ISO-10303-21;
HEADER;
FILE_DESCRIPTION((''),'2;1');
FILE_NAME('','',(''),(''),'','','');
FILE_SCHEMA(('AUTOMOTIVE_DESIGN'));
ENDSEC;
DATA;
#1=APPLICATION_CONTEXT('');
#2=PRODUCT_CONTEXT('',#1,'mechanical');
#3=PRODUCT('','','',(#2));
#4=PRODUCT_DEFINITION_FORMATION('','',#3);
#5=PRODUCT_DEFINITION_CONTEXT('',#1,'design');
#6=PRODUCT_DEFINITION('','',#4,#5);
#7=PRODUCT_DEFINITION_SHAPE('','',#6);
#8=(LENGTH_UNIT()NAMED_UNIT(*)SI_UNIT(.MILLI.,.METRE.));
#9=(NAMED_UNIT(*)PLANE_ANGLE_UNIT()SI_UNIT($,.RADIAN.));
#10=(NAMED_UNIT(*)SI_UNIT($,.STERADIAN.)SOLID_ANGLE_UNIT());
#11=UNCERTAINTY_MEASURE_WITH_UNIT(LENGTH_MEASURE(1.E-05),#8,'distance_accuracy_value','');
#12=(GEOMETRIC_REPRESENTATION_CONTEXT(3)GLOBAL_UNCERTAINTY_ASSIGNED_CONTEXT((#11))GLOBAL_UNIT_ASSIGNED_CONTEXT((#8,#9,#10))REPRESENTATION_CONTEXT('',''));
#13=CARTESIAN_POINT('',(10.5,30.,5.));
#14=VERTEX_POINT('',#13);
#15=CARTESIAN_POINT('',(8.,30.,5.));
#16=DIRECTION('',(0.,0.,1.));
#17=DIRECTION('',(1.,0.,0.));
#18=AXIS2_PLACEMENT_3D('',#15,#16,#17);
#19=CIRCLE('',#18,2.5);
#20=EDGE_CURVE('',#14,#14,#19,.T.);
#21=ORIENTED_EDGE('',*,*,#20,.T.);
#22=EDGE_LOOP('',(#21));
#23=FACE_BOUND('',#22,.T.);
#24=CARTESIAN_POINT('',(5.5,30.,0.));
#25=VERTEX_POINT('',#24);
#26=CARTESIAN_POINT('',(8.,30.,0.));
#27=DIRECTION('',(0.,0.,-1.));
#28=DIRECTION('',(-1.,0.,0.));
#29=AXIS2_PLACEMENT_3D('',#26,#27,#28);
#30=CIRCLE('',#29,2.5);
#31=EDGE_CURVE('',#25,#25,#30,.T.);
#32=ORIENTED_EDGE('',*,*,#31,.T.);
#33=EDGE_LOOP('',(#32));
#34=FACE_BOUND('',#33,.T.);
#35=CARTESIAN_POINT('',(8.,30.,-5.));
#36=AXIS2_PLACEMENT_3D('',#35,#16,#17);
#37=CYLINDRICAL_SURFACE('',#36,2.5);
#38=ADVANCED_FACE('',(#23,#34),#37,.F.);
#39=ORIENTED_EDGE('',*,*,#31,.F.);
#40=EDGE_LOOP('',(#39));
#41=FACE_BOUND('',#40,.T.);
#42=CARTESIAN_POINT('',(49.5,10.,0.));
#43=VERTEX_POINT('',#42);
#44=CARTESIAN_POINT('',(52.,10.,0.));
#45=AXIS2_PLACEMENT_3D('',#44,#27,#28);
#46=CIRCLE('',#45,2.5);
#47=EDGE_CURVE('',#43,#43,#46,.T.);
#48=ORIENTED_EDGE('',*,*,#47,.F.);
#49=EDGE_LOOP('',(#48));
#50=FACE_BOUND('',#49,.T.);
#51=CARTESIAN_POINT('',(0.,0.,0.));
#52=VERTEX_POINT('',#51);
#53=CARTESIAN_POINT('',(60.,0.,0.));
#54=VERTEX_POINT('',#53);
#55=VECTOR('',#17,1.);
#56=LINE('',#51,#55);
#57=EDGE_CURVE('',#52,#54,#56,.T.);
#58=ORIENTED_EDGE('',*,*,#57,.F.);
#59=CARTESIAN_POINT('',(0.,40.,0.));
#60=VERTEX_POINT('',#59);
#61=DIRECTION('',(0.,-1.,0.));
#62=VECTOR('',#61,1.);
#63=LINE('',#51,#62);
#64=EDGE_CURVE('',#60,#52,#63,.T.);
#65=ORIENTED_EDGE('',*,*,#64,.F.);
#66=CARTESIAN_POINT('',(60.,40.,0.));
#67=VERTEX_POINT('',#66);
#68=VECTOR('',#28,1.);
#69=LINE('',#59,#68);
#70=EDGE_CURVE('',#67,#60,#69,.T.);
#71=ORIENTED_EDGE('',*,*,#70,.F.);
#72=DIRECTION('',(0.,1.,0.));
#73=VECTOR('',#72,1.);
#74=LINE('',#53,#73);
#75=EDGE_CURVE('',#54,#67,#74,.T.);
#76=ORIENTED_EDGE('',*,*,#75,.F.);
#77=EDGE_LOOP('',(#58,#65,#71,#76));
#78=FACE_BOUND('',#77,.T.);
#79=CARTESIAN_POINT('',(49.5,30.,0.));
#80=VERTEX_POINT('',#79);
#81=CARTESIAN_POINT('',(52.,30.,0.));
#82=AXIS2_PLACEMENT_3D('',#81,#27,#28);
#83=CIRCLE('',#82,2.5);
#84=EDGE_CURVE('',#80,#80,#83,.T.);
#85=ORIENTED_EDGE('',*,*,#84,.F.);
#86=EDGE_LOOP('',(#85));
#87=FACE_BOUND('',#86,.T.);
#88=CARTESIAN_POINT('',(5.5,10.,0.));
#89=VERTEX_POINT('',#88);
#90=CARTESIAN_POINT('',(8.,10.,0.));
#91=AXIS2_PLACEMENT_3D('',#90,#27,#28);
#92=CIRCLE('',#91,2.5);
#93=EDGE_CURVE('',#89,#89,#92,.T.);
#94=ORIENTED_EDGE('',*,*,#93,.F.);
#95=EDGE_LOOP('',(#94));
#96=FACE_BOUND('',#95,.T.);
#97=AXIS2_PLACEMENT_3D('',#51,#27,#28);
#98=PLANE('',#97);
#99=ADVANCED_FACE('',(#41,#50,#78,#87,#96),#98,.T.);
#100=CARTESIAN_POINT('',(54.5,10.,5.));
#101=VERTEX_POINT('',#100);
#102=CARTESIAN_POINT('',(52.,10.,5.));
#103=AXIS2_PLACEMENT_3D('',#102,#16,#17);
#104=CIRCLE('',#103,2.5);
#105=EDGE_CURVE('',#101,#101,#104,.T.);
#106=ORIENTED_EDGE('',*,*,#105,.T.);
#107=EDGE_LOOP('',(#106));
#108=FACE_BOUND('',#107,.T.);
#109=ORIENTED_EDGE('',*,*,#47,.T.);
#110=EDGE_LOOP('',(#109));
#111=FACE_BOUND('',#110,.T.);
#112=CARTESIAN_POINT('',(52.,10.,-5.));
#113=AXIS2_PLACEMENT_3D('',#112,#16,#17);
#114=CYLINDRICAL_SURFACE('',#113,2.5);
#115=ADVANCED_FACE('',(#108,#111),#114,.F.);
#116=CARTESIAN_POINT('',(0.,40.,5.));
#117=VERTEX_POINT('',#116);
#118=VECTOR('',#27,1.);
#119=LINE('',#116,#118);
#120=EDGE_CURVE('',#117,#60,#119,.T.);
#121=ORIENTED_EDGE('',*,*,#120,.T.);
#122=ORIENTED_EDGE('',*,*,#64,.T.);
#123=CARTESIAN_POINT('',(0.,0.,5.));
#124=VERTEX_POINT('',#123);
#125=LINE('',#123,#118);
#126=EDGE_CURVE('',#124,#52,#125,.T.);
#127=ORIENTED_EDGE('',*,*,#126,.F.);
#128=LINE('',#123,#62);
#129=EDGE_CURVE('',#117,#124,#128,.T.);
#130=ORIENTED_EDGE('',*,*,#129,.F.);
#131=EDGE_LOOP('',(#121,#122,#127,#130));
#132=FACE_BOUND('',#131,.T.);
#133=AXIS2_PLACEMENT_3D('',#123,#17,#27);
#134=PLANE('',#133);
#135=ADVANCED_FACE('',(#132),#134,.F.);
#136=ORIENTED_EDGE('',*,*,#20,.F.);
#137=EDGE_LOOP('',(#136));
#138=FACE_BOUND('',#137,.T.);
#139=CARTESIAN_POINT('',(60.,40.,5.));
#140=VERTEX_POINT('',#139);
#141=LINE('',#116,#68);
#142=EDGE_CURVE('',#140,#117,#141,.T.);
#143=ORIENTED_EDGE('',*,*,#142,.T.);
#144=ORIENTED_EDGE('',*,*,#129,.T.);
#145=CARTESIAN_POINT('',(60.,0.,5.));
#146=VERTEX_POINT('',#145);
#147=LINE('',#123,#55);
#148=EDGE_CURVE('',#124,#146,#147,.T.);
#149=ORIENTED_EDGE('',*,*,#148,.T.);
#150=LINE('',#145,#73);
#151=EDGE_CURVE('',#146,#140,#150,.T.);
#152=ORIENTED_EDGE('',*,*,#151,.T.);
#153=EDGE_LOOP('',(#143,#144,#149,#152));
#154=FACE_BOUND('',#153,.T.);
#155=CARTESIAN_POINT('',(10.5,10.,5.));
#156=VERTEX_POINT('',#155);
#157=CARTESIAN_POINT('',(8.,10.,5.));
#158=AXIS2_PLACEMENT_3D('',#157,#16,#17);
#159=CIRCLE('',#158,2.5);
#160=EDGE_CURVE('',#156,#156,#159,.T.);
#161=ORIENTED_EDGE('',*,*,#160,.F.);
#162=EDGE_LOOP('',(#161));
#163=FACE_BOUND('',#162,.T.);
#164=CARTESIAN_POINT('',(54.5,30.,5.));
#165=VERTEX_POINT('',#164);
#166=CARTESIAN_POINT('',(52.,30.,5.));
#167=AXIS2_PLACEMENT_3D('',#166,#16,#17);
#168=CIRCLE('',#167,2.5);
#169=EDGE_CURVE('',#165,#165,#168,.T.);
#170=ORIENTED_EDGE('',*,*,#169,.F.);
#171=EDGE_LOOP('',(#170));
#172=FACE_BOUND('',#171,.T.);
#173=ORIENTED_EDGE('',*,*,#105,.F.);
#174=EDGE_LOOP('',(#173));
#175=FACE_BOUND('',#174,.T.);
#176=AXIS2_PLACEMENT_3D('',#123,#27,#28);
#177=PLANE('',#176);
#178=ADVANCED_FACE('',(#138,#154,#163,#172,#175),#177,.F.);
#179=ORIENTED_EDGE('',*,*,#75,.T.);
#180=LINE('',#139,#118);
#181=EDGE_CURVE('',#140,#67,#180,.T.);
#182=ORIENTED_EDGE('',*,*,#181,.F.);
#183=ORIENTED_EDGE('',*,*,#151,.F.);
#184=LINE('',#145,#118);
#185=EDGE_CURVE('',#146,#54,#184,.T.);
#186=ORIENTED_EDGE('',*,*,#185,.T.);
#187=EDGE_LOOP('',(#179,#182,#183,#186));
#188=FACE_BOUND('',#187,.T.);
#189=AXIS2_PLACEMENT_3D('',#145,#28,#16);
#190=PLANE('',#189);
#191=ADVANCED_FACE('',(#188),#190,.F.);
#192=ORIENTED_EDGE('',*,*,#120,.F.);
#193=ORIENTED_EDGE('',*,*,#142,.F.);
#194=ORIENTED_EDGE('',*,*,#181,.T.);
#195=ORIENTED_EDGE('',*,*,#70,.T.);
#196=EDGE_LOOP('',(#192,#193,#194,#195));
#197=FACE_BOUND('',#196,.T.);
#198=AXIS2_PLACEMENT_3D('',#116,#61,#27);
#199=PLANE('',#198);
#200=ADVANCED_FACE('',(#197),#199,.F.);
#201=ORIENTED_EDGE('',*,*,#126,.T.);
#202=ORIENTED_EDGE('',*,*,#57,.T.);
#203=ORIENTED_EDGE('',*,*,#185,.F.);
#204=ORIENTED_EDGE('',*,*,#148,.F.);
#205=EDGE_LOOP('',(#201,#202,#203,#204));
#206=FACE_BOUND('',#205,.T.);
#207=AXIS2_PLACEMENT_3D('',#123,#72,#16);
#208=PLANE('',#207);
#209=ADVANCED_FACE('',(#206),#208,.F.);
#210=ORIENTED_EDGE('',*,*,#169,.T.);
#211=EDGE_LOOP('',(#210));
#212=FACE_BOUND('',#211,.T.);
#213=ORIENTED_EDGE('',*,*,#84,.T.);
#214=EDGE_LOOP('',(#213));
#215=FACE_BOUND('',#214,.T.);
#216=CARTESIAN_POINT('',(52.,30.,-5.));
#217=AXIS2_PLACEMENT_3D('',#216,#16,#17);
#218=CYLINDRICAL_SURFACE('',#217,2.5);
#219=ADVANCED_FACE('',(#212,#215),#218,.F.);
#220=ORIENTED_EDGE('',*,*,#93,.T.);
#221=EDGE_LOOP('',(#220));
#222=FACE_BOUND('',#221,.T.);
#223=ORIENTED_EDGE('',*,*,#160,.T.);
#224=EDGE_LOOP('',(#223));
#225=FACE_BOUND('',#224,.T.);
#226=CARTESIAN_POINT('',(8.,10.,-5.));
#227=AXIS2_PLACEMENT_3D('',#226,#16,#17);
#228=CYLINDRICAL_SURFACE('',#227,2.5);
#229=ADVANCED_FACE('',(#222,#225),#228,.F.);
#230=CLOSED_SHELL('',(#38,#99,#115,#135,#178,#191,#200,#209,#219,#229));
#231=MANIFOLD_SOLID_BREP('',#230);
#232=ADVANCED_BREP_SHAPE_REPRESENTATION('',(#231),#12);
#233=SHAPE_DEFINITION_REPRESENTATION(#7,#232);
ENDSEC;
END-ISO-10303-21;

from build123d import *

# Parameters (mm, degrees)
SKETCH1_W           = 60
SKETCH1_H           = 40
BOSS_EXTRUDE1_DEPTH = 5
SKETCH2_R           = 2.5
CUT_EXTRUDE1_DEPTH  = 10


with BuildPart() as part:
    # Sketch1 → Boss-Extrude1 (new body)
    with BuildSketch(Plane.XY):
        with Locations((30, 20)):
            Rectangle(SKETCH1_W, SKETCH1_H)
    extrude(amount=BOSS_EXTRUDE1_DEPTH)

    # Sketch2 → Cut-Extrude1 (cut)
    with BuildSketch(Plane.XY.offset(5)):
        with Locations((8, 30)):
            Circle(SKETCH2_R)
        with Locations((8, 10)):
            Circle(SKETCH2_R)
        with Locations((52, 10)):
            Circle(SKETCH2_R)
        with Locations((52, 30)):
            Circle(SKETCH2_R)
    extrude(amount=-CUT_EXTRUDE1_DEPTH, mode=Mode.SUBTRACT)


solid = part.part
